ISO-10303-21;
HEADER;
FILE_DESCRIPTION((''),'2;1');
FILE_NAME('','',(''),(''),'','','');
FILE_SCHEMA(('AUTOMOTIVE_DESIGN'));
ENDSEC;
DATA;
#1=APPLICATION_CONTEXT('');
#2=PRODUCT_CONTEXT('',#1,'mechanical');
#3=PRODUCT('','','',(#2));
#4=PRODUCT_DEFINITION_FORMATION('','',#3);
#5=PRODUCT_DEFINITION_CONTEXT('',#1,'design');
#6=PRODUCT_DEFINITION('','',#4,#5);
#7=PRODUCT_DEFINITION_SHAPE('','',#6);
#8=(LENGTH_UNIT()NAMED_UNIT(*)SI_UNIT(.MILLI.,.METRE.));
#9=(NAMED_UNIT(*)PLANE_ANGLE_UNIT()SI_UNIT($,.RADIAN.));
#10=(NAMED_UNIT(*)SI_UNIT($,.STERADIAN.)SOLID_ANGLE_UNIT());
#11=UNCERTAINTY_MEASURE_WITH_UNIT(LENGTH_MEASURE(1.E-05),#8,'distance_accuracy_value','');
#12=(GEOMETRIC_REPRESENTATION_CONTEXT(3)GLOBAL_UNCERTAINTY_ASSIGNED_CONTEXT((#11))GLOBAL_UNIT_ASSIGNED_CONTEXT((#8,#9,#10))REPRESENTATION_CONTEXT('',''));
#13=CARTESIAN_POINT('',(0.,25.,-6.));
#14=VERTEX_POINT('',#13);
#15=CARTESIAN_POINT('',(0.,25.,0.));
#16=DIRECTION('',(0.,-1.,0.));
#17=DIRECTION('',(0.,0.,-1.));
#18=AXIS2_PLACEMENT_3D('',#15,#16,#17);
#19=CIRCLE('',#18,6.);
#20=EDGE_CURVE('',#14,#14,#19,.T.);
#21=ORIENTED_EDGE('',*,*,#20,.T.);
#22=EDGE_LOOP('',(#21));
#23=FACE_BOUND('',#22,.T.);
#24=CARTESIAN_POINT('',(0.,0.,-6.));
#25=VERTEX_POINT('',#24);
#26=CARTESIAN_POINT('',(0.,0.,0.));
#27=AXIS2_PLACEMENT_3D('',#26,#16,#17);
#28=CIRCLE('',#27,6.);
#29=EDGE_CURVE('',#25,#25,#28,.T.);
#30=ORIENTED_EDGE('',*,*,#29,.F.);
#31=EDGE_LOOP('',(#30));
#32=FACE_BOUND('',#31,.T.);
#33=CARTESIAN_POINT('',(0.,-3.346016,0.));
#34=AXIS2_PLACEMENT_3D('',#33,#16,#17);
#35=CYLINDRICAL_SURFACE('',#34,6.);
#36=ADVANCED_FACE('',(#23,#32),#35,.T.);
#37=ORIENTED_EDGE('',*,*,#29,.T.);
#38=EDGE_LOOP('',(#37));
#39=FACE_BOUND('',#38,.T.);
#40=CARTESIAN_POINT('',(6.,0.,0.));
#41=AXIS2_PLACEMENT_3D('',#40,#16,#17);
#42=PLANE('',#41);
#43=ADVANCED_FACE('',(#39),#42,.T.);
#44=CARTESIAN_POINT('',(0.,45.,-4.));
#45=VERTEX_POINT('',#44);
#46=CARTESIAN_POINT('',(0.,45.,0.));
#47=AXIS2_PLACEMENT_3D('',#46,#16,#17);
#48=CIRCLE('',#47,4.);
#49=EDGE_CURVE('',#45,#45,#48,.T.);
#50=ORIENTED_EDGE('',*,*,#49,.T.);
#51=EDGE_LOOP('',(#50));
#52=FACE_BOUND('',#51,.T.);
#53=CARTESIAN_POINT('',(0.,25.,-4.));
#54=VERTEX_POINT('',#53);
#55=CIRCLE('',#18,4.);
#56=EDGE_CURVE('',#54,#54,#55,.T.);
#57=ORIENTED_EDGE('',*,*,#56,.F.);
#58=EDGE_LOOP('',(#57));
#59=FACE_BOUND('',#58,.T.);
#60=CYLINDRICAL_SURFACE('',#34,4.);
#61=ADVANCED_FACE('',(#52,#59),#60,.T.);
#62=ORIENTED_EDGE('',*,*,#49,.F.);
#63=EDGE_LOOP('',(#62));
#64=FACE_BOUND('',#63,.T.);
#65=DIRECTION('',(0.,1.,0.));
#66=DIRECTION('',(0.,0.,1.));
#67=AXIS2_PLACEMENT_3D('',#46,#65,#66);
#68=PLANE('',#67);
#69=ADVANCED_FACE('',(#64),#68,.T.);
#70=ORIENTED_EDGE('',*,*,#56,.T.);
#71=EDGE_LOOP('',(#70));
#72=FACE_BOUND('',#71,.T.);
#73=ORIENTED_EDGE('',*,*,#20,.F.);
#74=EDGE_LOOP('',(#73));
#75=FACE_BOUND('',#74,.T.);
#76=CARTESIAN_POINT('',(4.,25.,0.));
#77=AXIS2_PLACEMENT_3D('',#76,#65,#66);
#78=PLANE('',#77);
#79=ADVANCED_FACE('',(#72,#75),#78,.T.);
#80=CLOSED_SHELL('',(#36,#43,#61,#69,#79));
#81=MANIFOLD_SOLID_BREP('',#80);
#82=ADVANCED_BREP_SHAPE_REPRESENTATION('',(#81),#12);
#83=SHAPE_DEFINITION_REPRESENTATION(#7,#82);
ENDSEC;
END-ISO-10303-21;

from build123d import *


with BuildPart() as part:
    # Skizze1 → Rotation3 (revolve)
    with BuildSketch(Plane.XY, mode=Mode.PRIVATE) as rotation3_sk:
        Polygon((0, 45), (0, 0), (6, 0), (6, 25), (4, 25), (4, 45), align=None)
    revolve(rotation3_sk.sketch.rotate(Axis((0, -3.346016205, 0), (0, 1, 0)), 90), axis=Axis((0, -3.346016205, 0), (0, 1, 0)))


solid = part.part
